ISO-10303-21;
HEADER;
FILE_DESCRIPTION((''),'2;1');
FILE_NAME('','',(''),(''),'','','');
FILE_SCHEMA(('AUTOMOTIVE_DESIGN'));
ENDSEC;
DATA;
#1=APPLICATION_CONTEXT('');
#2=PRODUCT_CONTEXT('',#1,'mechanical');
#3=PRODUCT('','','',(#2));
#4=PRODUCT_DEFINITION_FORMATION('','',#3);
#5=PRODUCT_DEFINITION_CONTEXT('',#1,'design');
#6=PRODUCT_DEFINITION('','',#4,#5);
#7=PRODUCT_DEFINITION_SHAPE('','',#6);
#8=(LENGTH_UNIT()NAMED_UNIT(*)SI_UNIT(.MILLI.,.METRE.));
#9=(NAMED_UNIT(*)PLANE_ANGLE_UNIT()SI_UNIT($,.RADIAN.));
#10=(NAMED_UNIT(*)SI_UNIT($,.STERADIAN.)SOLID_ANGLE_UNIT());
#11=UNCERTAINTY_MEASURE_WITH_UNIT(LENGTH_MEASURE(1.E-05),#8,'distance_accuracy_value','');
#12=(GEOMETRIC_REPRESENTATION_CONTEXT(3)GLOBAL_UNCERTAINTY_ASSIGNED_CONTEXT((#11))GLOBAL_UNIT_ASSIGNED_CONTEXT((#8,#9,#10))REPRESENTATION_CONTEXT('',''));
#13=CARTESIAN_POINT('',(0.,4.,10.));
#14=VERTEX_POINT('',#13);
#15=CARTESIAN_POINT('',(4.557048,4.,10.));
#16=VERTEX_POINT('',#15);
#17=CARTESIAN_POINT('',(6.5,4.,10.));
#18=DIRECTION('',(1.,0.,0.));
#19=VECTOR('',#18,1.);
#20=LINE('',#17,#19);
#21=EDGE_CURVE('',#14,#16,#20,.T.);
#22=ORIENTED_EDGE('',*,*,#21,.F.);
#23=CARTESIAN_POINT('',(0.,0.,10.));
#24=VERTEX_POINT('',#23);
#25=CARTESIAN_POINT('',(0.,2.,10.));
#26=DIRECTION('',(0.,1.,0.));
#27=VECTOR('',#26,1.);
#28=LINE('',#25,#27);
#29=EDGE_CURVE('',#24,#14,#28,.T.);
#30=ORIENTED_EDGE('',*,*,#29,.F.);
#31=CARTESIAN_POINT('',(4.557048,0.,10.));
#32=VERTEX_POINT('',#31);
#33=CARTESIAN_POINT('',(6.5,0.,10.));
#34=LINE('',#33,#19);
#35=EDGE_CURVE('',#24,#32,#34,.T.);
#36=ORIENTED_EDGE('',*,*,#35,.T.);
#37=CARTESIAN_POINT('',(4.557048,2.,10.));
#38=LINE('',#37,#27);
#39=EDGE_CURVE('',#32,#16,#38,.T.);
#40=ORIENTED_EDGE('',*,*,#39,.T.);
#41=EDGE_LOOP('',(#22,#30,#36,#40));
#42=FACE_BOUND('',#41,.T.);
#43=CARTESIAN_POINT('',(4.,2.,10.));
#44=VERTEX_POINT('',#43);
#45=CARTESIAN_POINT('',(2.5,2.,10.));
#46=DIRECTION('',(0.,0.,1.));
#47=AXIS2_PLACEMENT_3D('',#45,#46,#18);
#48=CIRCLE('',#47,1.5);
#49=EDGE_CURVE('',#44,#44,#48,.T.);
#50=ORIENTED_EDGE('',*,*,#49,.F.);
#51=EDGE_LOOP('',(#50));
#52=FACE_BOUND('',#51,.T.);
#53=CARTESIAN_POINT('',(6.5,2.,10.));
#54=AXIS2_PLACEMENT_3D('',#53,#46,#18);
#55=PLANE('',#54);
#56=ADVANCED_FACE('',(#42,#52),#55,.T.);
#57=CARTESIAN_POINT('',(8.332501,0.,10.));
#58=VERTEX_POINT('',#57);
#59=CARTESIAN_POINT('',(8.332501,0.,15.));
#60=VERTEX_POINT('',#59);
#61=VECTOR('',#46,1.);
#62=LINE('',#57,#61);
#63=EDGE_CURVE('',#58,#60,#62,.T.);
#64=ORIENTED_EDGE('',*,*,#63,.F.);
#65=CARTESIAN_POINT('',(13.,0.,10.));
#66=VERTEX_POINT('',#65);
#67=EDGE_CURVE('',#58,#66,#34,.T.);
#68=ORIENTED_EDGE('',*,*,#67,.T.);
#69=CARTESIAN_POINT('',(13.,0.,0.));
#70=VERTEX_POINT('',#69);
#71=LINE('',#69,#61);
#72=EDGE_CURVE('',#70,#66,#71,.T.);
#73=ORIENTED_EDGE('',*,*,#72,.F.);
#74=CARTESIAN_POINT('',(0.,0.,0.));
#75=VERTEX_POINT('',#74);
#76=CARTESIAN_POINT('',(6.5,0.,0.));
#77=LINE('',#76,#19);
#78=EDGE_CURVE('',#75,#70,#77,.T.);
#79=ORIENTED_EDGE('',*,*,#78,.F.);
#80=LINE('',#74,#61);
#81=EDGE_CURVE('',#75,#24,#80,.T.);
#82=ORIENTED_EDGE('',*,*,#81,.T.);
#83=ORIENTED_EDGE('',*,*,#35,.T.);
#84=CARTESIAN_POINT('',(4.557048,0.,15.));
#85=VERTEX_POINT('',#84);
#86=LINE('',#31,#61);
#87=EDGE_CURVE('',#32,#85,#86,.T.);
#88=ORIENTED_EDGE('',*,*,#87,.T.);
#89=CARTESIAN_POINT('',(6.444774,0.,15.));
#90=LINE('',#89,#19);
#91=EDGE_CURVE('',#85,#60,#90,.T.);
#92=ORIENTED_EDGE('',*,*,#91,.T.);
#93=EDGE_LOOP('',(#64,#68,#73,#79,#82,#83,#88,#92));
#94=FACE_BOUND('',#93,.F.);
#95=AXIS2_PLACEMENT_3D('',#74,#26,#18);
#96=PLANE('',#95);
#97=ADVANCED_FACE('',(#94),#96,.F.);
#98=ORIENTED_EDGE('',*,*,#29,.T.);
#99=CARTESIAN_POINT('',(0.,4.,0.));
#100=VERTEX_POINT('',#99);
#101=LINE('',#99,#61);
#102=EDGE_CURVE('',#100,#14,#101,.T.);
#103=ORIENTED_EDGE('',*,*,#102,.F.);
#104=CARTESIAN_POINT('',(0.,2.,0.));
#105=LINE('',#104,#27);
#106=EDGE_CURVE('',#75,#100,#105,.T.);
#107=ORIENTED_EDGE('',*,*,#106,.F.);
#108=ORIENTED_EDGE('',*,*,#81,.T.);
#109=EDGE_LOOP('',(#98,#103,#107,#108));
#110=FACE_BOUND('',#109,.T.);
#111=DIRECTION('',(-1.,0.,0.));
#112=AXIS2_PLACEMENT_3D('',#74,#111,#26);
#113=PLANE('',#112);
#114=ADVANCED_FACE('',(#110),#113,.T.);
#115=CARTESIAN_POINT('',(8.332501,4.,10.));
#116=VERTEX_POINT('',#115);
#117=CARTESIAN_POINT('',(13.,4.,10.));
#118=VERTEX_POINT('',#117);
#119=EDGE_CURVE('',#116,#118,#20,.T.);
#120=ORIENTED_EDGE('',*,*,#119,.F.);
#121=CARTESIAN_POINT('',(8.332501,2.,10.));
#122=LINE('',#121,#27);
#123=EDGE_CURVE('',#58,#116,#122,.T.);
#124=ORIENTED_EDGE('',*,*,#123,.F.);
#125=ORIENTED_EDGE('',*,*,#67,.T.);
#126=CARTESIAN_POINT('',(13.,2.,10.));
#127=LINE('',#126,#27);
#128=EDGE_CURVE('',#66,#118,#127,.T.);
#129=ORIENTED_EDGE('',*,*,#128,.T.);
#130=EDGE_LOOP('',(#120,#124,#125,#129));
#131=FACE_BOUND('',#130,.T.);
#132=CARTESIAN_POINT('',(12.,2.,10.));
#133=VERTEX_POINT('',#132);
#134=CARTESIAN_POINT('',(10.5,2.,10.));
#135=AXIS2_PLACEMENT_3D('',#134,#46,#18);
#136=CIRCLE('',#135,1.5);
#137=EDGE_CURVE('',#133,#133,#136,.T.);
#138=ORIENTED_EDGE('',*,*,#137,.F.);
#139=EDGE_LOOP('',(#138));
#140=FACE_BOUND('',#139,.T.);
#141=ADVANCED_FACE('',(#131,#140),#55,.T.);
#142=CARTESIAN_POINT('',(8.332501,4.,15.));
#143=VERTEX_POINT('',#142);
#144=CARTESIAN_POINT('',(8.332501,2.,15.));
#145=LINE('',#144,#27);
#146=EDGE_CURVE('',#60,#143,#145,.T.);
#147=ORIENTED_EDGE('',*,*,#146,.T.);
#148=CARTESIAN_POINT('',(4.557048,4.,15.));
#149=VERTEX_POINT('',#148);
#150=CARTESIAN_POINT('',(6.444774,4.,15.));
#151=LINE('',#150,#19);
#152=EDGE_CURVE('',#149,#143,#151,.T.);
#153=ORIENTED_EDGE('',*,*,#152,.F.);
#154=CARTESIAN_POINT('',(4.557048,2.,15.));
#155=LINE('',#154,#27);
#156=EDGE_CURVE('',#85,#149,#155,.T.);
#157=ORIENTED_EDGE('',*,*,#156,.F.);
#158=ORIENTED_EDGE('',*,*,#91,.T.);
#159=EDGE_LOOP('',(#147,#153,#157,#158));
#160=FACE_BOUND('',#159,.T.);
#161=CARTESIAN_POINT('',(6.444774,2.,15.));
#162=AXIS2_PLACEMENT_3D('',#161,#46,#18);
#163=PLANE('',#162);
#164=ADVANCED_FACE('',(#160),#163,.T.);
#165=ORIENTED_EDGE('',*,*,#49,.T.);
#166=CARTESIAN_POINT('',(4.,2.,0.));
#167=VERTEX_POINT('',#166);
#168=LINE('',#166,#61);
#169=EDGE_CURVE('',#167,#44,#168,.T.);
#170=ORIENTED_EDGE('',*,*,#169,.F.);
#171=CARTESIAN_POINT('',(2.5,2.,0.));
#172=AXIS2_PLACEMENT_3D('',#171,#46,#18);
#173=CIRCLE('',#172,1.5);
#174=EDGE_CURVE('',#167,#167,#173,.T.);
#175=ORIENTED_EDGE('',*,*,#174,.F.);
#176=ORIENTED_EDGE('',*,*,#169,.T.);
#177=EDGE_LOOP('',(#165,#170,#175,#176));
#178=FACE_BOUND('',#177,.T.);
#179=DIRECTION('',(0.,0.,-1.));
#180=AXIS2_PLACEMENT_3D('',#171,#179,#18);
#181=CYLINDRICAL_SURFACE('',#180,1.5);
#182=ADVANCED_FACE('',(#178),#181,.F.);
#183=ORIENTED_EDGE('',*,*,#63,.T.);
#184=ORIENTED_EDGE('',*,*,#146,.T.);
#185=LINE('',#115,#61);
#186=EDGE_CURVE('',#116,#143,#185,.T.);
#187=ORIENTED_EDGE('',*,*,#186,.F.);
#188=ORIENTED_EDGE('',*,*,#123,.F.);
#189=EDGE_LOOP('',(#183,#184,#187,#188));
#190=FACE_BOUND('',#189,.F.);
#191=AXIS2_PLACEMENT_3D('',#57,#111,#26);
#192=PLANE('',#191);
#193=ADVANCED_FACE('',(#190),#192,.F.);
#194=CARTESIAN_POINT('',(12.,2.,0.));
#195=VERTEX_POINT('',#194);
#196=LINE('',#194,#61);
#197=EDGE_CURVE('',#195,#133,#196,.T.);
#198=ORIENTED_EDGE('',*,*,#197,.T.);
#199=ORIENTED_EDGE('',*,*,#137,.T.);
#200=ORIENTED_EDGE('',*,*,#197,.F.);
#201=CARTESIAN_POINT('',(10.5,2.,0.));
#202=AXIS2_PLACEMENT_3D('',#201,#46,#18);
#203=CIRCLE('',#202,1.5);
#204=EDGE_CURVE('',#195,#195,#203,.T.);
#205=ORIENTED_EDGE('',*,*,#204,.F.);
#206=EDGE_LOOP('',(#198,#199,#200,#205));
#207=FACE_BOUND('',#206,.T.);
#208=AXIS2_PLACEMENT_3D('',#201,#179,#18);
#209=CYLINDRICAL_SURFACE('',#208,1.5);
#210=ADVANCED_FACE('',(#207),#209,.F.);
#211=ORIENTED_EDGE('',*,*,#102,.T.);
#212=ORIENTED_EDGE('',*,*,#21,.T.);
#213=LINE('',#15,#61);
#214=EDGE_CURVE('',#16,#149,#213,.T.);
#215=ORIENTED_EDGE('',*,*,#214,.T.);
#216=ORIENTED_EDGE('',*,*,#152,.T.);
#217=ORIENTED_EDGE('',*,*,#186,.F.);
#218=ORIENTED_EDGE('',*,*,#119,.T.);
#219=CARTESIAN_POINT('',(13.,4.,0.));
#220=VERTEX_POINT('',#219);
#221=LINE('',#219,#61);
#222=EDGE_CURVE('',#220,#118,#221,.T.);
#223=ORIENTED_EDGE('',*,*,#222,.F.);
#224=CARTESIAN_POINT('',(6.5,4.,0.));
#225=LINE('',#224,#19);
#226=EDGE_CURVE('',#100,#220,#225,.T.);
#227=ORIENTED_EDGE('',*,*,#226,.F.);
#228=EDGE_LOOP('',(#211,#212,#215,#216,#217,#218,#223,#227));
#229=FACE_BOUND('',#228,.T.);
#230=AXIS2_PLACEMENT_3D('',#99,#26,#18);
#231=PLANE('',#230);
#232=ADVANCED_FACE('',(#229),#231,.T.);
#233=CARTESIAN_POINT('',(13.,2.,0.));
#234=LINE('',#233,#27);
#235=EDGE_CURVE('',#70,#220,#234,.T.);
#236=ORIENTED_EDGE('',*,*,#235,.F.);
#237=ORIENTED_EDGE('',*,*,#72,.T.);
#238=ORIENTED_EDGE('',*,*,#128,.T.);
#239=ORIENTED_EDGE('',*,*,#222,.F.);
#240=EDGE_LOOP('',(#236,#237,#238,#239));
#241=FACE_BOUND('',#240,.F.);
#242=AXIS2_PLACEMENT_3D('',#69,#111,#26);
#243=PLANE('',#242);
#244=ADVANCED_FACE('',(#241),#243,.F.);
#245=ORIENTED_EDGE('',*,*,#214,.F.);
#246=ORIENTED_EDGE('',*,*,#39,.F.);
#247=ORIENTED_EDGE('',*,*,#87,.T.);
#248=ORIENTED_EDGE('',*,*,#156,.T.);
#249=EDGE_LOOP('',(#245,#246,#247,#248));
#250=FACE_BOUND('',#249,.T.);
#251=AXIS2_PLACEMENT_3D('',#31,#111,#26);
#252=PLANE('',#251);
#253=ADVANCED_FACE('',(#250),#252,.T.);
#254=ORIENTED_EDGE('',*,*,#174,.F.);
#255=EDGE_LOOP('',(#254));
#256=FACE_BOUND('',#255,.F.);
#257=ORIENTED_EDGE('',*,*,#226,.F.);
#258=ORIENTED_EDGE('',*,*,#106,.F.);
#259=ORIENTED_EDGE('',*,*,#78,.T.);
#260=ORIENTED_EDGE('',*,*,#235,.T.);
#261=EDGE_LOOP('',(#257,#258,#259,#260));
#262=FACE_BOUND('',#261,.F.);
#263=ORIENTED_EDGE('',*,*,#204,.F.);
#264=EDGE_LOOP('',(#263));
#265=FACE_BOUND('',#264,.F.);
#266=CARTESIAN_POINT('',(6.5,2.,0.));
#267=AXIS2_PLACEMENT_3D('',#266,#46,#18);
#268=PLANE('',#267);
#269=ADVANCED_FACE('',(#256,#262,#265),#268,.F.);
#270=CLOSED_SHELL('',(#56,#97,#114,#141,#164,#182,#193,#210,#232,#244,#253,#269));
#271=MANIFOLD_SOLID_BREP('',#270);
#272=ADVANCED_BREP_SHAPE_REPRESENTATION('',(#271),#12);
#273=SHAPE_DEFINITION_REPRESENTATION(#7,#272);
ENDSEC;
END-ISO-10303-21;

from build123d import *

# Parameters (mm, degrees)
F0_W     = 13
F0_H     = 4
F0_R     = 1.5
F1_DEPTH = 10
F2_W     = 3.775453
F2_H     = 4
F3_DEPTH = 5


with BuildPart() as f1:
    # F0 (on Top) → F1 (new body)
    with BuildSketch(Plane.XY):
        with Locations((6.5, 2)):
            Rectangle(F0_W, F0_H)
        with Locations((2.5, 2)):
            Circle(F0_R, mode=Mode.SUBTRACT)
        with Locations((10.5, 2)):
            Circle(F0_R, mode=Mode.SUBTRACT)
    extrude(amount=F1_DEPTH)

    # F2 (on face) → F3 (join)
    with BuildSketch(Plane.XY.offset(10)):
        with Locations((6.444774, 2)):
            Rectangle(F2_W, F2_H)
    extrude(amount=F3_DEPTH)


solid = f1.part
